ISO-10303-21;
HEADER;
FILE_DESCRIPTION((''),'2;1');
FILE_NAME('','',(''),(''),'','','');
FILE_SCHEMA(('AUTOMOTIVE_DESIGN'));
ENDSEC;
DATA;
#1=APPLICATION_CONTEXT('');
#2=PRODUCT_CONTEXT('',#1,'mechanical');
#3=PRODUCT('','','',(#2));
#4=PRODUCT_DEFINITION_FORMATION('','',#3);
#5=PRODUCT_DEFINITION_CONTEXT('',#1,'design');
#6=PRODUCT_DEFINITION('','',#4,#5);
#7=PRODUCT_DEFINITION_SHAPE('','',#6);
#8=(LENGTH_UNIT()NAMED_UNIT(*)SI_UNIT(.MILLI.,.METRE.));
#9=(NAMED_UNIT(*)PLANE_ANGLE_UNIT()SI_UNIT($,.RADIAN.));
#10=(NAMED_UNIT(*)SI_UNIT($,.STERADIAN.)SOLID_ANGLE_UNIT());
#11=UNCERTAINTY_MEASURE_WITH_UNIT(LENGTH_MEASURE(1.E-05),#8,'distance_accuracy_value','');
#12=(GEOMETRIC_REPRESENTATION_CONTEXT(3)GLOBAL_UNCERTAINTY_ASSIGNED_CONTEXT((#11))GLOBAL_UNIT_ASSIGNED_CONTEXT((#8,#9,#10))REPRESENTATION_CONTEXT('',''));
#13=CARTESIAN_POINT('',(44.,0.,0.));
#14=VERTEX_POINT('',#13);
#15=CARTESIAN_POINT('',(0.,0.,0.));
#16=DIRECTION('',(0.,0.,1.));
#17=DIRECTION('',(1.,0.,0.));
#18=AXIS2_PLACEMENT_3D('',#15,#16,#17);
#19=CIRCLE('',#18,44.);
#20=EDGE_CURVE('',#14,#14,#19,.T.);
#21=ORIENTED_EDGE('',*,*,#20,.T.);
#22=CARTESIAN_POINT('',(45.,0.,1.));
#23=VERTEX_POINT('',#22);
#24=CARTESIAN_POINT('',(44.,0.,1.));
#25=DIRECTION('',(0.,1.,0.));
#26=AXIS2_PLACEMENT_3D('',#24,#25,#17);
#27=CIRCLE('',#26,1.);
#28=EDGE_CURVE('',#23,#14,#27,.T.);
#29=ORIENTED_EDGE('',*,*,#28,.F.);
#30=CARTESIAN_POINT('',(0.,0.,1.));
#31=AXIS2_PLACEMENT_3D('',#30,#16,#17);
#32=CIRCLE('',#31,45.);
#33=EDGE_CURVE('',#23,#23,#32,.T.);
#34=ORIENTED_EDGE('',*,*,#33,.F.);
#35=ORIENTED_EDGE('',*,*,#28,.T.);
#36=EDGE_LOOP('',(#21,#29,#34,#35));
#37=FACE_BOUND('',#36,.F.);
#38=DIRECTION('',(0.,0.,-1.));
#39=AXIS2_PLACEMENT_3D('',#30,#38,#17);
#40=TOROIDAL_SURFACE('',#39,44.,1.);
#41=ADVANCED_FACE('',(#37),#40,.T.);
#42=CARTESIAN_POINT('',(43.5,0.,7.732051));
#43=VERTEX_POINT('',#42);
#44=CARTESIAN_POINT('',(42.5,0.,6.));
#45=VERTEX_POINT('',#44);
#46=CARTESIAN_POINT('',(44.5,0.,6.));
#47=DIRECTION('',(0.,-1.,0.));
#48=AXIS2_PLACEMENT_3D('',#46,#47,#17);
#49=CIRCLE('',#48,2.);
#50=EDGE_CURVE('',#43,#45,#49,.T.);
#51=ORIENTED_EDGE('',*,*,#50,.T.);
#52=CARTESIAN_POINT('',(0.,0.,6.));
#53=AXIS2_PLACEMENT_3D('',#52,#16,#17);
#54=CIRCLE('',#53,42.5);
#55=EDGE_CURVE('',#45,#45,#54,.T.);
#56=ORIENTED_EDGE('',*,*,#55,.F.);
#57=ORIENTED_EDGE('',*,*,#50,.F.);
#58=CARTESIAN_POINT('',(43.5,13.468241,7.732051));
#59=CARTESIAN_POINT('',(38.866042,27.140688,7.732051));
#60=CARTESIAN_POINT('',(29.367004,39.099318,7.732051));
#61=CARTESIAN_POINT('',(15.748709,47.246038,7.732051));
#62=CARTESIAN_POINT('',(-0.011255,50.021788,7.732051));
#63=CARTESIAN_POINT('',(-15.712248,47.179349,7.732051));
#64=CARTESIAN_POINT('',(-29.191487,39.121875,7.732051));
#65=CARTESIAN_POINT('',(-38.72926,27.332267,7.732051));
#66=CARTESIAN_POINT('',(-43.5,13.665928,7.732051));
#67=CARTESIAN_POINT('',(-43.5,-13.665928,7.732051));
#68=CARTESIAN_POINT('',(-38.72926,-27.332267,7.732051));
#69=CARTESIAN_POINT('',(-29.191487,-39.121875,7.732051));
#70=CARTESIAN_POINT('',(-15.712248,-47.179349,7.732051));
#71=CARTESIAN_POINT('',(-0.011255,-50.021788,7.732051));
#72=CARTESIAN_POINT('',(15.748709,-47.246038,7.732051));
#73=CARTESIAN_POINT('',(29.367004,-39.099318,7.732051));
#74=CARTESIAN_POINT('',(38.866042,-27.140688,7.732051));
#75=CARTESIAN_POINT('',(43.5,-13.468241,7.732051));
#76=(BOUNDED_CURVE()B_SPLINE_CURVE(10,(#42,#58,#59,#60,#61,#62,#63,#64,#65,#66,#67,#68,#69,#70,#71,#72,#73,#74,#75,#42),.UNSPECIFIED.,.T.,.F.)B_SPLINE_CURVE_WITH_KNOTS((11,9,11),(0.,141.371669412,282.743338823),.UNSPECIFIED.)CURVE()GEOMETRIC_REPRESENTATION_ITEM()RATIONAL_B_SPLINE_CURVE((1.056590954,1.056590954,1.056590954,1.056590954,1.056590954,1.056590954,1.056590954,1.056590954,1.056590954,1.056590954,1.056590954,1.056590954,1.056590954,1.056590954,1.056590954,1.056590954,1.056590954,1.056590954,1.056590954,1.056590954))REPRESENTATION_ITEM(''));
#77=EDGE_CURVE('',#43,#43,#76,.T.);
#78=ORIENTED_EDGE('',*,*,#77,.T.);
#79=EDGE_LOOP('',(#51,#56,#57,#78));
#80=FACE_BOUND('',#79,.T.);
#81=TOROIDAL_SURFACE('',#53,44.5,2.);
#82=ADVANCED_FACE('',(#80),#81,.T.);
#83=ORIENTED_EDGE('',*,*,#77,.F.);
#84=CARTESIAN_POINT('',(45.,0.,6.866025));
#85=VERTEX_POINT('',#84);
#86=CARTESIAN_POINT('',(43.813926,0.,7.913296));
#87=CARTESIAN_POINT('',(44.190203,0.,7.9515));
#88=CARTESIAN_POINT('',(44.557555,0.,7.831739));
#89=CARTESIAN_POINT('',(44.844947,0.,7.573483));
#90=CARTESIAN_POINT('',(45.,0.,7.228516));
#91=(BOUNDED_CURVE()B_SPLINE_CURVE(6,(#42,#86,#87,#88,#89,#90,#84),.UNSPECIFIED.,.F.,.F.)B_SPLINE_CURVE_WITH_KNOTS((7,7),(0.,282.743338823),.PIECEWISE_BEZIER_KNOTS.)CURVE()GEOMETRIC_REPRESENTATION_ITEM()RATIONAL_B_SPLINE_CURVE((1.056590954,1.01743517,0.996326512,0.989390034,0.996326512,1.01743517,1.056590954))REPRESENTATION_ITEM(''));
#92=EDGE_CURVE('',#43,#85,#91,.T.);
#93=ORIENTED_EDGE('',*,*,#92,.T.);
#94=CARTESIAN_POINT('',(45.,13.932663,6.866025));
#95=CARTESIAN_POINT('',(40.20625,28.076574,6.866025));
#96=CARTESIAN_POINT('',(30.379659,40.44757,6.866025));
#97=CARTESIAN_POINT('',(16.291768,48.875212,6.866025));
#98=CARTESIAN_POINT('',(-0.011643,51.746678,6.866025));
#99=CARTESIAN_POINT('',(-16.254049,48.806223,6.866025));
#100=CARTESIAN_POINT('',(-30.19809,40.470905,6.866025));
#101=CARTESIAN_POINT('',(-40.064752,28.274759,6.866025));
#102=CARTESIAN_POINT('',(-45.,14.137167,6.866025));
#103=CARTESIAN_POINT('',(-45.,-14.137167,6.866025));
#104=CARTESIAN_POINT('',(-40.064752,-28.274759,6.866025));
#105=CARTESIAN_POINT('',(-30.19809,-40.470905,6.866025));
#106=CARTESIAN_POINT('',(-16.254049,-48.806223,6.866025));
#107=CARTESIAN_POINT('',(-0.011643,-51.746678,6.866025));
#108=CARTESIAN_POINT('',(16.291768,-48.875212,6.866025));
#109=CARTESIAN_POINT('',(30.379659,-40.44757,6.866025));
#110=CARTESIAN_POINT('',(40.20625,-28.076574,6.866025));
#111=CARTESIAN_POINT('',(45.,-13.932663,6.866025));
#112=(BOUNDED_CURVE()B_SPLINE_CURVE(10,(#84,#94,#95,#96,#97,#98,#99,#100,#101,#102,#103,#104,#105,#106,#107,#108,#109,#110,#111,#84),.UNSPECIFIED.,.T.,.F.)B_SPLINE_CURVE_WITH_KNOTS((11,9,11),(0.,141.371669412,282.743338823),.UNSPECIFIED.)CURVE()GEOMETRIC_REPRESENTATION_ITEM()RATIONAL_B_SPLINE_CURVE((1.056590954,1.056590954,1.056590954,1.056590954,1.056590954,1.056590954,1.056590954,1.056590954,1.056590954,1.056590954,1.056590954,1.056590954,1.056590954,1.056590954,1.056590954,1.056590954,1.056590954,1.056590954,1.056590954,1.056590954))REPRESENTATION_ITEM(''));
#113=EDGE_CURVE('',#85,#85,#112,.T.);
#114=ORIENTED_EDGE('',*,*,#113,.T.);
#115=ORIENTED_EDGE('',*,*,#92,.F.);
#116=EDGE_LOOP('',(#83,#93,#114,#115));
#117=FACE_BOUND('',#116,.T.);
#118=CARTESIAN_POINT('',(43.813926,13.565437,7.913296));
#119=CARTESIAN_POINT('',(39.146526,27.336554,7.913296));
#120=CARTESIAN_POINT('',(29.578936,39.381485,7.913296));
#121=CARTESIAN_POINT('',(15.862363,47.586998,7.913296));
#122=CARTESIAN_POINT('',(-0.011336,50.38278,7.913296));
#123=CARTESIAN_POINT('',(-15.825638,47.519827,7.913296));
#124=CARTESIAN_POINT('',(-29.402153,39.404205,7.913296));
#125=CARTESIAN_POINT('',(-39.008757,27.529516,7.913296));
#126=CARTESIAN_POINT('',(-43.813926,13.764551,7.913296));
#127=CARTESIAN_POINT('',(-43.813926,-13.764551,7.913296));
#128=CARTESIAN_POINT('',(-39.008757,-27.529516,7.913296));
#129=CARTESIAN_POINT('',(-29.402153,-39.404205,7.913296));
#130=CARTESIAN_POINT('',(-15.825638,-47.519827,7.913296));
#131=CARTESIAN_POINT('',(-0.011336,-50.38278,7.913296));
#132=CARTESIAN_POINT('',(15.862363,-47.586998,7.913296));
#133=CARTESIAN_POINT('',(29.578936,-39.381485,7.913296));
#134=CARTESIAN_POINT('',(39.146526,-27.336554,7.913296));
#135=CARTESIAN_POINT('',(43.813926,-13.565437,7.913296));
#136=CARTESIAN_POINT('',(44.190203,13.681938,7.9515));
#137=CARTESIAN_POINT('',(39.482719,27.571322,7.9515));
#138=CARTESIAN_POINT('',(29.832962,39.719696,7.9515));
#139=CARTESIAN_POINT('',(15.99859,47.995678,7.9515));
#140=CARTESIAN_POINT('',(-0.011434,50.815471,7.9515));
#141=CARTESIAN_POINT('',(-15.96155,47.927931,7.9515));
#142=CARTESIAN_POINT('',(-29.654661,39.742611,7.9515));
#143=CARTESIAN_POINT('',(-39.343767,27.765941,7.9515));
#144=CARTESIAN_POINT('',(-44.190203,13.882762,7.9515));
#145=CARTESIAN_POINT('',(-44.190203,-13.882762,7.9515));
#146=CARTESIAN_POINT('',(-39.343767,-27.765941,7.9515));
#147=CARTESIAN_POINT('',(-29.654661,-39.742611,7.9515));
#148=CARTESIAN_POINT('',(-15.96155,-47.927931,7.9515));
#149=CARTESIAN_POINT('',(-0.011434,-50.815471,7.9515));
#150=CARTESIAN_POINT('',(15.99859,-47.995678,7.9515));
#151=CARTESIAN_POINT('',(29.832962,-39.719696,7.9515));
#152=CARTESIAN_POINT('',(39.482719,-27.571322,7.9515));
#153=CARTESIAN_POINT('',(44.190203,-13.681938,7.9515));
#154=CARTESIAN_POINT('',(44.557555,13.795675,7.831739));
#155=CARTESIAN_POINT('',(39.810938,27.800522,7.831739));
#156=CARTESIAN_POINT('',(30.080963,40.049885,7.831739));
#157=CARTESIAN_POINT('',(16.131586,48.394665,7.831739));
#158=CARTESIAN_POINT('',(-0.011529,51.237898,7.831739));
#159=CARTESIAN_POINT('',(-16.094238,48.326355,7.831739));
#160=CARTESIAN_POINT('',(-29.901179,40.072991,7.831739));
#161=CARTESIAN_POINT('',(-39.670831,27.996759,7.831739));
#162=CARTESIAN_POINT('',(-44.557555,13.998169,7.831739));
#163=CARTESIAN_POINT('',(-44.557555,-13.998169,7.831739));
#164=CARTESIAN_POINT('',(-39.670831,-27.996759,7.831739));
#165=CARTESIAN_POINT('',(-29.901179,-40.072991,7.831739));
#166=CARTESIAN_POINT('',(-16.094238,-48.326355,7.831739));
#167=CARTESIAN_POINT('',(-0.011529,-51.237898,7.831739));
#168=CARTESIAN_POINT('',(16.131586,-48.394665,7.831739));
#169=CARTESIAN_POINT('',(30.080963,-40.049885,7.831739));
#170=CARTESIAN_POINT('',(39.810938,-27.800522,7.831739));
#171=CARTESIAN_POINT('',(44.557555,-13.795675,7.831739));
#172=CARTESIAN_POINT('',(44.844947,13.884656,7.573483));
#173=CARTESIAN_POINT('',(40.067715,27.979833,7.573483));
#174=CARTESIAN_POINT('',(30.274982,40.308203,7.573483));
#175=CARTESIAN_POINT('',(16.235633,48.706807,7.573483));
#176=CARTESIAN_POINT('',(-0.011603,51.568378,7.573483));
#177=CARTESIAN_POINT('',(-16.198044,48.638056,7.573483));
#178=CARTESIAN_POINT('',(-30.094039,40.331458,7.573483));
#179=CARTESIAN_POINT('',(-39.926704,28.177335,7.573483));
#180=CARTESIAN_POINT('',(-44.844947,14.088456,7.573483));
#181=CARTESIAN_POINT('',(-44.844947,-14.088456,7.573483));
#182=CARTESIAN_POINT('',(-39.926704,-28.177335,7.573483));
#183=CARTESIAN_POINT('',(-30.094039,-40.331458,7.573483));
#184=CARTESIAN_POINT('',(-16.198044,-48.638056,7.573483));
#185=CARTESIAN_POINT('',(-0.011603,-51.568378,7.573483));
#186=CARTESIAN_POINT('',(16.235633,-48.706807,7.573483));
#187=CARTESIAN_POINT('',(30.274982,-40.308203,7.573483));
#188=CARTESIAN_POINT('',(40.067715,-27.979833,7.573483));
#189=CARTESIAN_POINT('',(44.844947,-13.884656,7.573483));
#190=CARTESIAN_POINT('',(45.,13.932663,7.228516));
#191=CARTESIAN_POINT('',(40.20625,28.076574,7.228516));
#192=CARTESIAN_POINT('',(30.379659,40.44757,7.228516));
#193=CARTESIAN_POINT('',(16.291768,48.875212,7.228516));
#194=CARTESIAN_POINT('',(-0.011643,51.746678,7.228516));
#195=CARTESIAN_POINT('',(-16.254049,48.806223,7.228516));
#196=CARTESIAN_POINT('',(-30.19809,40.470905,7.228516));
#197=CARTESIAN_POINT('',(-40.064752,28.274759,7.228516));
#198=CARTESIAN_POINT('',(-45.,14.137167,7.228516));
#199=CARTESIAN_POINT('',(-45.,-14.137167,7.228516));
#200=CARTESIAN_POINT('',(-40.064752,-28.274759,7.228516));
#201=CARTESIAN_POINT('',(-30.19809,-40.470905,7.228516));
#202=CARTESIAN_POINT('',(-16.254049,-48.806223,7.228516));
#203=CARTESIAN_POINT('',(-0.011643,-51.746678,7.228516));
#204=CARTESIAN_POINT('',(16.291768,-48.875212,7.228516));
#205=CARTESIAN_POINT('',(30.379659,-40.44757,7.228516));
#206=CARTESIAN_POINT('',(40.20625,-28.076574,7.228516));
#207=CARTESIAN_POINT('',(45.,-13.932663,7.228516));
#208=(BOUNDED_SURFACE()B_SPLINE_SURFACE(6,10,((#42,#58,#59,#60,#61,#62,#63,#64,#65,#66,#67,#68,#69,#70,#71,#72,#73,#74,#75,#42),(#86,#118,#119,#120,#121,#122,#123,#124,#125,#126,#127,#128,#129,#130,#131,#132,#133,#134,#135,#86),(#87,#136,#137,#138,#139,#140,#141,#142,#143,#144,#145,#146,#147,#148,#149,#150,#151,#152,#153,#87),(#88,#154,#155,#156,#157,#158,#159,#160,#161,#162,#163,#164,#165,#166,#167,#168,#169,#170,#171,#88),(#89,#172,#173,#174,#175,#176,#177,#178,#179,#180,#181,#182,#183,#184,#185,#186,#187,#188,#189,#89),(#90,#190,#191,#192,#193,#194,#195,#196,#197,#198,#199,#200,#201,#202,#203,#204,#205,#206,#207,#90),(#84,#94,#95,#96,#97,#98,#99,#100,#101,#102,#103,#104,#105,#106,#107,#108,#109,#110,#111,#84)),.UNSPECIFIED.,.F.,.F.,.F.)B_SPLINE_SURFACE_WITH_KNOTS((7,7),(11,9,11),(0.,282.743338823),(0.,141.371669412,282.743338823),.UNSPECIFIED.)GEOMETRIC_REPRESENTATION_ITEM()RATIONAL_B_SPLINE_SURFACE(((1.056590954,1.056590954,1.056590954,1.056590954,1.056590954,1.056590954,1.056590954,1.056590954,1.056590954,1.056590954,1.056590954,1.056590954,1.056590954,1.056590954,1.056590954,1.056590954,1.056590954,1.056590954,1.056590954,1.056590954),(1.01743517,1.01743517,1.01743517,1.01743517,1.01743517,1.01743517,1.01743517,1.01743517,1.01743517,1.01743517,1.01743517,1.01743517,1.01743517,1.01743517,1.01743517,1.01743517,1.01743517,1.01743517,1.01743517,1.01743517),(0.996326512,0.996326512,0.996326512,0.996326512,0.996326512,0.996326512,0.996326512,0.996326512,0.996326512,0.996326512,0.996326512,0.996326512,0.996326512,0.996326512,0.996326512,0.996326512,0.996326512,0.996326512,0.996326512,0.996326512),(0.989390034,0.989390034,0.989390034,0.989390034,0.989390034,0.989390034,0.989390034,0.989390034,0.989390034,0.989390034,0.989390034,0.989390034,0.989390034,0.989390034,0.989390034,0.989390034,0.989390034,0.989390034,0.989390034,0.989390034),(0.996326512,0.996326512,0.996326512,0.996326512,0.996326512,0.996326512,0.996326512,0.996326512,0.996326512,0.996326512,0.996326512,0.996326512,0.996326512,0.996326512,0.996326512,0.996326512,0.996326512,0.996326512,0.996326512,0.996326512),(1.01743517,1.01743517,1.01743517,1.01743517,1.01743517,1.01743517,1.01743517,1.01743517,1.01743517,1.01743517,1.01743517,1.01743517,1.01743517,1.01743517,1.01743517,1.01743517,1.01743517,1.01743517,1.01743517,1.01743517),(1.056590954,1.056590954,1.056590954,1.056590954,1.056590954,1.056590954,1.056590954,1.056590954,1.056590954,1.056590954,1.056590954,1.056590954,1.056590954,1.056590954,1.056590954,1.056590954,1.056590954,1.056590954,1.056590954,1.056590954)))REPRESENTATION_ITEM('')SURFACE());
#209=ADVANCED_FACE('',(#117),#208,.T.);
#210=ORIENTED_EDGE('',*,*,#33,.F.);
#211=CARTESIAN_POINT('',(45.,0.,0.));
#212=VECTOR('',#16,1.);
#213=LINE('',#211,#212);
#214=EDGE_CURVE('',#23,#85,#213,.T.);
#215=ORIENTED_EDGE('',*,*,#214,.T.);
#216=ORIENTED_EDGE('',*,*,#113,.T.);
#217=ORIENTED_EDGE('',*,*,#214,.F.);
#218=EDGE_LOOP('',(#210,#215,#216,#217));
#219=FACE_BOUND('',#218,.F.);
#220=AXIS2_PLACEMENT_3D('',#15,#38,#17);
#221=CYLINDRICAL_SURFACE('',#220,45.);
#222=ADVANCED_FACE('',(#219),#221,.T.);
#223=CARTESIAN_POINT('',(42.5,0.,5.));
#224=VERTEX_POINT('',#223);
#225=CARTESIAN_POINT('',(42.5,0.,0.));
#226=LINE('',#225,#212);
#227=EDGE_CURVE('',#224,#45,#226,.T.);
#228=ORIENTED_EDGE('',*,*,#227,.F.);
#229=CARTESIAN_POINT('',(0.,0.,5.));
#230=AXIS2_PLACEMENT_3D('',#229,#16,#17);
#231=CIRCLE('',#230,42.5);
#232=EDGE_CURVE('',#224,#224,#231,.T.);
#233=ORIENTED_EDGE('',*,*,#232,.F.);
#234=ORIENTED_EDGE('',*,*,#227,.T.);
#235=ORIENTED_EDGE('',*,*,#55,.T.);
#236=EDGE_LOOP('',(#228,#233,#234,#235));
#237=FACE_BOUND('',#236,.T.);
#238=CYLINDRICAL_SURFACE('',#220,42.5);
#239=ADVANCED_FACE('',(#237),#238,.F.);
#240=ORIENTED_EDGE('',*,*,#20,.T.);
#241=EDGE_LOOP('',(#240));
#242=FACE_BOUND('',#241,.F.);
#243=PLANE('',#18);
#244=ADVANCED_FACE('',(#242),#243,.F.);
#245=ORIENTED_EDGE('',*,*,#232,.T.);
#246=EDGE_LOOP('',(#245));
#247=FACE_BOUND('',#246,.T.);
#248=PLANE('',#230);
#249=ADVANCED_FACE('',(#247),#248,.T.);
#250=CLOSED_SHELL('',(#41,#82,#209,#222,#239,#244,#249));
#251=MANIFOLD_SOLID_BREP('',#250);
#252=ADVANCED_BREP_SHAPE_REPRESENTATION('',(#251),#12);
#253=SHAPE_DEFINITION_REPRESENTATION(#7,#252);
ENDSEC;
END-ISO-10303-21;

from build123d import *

# Parameters (mm, degrees)
F0_R     = 42.5
F1_DEPTH = 5
F0_R_2   = 45
F2_DEPTH = 8
F3_R     = 2
F4_R     = 1


with BuildPart() as f1:
    # F0 (on Top) → F1 (new body)
    with BuildSketch(Plane.XY):
        Circle(F0_R)
    extrude(amount=F1_DEPTH)

    # F0 (on Top) → F2 (join)
    with BuildSketch(Plane.XY):
        Circle(F0_R_2)
        Circle(F0_R, mode=Mode.SUBTRACT)
    extrude(amount=F2_DEPTH)

    # F3
    f3_edges = [f1.edges().sort_by_distance(p)[0] for p in [
        (-42.5, 0, 8),
    ]]
    fillet(f3_edges, radius=F3_R)

    # F4
    f4_edges = [f1.edges().sort_by_distance(p)[0] for p in [
        (45, 0, 4),
        (-45, 0, 0),
        (-45, 0, 8),
    ]]
    fillet(f4_edges, radius=F4_R)


solid = f1.part
